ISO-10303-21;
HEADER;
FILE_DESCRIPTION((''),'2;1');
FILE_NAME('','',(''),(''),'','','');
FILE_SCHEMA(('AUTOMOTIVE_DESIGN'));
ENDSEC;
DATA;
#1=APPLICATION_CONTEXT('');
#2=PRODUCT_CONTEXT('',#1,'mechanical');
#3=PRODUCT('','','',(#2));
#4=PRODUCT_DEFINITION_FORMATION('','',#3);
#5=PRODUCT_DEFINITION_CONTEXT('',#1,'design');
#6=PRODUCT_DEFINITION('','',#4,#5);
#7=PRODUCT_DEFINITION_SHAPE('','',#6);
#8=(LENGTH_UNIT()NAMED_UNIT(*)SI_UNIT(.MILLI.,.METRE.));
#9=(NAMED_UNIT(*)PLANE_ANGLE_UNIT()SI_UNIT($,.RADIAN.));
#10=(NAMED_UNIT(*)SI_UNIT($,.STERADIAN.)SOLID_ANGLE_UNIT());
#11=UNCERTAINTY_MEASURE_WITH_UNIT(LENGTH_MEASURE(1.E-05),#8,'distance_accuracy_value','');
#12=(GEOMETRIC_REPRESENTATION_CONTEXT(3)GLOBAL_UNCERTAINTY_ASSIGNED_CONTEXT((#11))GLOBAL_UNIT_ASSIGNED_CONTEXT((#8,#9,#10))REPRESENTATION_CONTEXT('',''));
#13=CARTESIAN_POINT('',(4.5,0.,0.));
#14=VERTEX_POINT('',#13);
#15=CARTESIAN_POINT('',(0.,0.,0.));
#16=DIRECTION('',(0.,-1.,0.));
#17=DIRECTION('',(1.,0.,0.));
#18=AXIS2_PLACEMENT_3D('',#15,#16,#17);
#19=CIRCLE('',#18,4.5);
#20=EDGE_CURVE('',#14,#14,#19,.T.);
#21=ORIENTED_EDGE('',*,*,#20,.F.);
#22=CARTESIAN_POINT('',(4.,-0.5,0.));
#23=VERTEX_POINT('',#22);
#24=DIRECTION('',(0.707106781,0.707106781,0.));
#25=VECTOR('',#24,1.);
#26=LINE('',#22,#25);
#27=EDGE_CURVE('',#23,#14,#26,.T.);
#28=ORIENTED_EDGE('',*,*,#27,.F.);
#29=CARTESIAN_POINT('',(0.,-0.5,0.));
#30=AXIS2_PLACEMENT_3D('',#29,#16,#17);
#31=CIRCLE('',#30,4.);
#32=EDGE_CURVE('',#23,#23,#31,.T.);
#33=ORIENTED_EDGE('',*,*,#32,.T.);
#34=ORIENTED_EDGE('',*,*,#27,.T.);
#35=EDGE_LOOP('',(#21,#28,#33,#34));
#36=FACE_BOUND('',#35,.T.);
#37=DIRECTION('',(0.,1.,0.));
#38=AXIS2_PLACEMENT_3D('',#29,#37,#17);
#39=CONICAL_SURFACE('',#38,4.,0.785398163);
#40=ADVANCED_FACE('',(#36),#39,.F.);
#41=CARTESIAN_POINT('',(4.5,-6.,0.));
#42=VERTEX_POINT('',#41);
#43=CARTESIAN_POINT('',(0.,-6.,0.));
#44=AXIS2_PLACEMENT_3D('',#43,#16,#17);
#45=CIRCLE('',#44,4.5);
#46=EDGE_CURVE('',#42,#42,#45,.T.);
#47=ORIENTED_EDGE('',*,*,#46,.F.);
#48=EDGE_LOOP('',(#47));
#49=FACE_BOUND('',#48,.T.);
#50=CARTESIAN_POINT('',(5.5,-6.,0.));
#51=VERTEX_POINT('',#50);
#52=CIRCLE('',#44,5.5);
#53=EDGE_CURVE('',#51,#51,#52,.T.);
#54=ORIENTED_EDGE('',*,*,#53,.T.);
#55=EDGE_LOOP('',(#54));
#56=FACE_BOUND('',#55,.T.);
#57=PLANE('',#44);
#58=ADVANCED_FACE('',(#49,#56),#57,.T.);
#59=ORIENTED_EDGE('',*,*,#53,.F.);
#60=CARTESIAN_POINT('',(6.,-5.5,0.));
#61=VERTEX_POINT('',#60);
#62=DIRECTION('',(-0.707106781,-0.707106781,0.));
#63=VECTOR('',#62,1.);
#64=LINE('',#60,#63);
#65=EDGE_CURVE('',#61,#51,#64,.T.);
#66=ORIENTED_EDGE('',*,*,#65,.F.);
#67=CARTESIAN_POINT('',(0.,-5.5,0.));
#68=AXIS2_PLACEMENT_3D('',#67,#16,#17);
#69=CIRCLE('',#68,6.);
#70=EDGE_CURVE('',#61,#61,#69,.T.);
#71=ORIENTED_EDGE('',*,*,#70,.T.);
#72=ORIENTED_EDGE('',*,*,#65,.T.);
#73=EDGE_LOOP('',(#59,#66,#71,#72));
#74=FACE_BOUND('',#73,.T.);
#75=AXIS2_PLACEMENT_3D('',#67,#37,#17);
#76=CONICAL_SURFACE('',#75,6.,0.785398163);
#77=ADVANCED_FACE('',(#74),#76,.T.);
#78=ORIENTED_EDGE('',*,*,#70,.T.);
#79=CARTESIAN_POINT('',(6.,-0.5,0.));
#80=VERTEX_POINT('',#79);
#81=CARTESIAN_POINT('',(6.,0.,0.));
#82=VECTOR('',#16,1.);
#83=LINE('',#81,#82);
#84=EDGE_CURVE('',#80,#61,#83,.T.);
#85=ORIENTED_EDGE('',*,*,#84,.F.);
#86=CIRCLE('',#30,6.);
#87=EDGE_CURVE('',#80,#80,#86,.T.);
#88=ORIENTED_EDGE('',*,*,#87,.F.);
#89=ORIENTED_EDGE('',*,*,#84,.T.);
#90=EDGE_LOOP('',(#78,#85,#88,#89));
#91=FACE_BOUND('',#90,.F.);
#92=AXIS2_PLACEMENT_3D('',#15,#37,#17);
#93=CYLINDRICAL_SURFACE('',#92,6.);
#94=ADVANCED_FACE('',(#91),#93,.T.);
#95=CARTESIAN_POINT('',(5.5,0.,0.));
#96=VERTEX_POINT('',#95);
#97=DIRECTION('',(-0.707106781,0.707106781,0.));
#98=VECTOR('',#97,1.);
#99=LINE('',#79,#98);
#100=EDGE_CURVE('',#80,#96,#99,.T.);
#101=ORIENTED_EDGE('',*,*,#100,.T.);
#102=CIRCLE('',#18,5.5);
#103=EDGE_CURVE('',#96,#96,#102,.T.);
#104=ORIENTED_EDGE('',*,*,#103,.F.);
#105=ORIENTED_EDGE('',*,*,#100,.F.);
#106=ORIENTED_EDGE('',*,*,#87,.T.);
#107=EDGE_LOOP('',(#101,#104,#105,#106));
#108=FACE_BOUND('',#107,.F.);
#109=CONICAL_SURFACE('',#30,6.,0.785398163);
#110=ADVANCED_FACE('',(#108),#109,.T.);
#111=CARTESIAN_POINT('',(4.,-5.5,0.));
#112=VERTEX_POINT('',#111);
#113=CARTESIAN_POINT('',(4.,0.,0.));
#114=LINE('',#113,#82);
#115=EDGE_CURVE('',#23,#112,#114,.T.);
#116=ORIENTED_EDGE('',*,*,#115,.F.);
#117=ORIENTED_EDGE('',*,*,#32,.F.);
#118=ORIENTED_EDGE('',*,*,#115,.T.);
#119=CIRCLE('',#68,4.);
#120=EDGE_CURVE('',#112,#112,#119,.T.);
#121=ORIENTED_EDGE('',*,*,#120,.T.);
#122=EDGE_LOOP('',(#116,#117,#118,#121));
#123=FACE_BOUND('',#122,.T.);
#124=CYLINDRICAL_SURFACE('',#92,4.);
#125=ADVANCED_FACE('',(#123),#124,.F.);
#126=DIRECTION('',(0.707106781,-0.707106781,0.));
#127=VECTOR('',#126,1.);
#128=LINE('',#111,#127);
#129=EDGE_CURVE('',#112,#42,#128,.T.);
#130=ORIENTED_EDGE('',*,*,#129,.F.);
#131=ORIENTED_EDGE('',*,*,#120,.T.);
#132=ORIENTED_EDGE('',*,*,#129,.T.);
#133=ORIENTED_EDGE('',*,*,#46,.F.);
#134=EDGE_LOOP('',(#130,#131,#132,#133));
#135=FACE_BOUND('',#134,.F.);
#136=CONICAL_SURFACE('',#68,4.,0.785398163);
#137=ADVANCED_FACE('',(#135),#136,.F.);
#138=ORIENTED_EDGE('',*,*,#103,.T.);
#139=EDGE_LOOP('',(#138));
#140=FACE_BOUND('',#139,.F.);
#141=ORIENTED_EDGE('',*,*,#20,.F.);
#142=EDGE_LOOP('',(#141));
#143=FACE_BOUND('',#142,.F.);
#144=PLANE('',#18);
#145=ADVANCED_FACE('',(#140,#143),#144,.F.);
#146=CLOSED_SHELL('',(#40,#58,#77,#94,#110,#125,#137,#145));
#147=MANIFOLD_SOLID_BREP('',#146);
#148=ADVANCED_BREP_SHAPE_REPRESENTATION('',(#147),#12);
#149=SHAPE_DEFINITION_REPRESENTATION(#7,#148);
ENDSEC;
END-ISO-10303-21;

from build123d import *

# Parameters (mm, degrees)
F0_R     = 6
F0_R_2   = 4
F1_DEPTH = 6
F2_SIZE  = 0.5


with BuildPart() as f1:
    # F0 (on Front) → F1 (new body)
    with BuildSketch(Plane.XZ):
        Circle(F0_R)
        Circle(F0_R_2, mode=Mode.SUBTRACT)
    extrude(amount=F1_DEPTH)

    # F2
    f2_edges = [f1.edges().sort_by_distance(p)[0] for p in [
        (-4, 0, 0),
        (-6, 0, 0),
        (-4, -6, 0),
        (6, -3, 0),
        (-6, -6, 0),
    ]]
    chamfer(f2_edges, length=F2_SIZE)


solid = f1.part
